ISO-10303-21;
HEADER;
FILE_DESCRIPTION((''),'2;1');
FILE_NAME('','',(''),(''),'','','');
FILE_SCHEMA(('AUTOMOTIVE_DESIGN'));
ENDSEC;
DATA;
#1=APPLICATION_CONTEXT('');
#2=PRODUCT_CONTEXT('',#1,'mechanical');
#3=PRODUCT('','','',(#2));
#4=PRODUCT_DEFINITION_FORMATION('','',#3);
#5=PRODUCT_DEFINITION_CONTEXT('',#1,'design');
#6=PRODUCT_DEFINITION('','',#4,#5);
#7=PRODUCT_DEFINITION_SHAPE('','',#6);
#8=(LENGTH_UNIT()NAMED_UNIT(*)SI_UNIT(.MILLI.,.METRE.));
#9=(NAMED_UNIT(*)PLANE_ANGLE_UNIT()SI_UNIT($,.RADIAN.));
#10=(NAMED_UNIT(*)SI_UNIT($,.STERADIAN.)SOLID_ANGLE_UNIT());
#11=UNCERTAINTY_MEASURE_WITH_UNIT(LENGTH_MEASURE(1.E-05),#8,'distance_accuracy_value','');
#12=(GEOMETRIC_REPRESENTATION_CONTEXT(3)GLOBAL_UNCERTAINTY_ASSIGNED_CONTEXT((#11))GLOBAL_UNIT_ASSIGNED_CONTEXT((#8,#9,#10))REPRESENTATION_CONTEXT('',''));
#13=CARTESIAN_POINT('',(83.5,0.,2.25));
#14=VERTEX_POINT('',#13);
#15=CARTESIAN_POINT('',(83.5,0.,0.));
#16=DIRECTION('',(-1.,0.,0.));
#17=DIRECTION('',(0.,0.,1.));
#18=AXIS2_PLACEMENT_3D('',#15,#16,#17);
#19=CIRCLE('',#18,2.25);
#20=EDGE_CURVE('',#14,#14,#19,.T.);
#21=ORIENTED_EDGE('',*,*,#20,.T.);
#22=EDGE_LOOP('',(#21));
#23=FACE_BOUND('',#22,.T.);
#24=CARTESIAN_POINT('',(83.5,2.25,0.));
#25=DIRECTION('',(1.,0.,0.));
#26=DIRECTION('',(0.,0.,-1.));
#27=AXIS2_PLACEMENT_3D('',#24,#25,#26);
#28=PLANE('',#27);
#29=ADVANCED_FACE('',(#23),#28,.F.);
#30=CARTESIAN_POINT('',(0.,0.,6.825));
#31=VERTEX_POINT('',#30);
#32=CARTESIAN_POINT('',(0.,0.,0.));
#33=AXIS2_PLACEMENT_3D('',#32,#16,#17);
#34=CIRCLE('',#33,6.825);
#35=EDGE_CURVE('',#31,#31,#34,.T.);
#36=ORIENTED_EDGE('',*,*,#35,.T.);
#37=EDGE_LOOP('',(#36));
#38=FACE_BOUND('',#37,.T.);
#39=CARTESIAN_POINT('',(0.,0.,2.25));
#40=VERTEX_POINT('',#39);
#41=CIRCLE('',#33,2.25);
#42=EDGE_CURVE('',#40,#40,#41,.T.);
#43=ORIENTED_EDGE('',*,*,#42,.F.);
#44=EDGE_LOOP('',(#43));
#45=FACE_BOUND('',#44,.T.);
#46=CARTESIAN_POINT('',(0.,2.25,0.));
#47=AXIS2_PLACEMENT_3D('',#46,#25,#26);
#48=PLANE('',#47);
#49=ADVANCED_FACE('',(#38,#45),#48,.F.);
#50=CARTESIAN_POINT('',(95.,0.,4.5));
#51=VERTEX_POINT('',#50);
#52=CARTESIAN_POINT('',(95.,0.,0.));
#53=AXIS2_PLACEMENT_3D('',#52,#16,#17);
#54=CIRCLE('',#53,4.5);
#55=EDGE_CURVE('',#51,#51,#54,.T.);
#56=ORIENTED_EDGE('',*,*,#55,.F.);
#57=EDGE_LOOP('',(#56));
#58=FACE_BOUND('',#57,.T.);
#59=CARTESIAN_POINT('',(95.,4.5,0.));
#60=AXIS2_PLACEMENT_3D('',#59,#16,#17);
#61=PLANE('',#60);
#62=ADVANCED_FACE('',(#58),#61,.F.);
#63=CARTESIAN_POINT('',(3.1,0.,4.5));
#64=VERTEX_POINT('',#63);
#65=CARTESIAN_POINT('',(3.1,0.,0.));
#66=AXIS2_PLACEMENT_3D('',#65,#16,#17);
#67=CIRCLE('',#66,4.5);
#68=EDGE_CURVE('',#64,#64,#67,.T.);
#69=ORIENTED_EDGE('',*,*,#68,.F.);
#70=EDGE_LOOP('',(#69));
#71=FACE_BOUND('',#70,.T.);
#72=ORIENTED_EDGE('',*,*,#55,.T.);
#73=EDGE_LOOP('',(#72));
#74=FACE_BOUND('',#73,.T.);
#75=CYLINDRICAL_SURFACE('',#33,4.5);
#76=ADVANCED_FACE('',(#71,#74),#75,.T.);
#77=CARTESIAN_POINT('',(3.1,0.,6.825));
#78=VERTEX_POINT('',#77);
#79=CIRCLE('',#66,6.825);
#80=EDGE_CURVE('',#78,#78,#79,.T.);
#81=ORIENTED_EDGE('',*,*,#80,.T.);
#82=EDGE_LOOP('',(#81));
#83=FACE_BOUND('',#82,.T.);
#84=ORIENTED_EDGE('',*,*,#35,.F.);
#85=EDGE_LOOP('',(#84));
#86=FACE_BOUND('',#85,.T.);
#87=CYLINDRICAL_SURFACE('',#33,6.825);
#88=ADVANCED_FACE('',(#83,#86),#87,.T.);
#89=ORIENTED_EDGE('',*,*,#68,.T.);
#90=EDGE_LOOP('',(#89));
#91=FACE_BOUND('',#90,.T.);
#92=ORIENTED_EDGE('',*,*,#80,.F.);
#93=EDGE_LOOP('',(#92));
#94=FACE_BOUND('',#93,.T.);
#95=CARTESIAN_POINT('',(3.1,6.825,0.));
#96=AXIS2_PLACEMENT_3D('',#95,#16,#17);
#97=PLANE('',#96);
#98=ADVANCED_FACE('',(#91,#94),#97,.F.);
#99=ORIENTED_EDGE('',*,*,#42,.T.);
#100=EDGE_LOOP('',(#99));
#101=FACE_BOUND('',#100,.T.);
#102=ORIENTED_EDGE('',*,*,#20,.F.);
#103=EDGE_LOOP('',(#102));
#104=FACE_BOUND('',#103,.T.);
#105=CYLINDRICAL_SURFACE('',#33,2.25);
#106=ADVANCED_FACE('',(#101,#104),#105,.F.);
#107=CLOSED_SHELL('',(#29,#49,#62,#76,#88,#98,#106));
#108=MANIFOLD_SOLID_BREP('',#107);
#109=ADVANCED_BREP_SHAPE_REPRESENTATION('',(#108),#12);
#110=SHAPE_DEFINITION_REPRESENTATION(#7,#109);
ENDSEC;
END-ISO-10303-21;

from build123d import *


with BuildPart() as part:
    # Skizze1 → Rotation1 (revolve)
    with BuildSketch(Plane.XY, mode=Mode.PRIVATE) as rotation1_sk:
        Polygon((0, 2.25), (0, 6.825), (3.1, 6.825), (3.1, 4.5), (95, 4.5), (95, 0), (83.5, 0), (83.5, 2.25), align=None)
    revolve(rotation1_sk.sketch.rotate(Axis((0, 0, 0), (1, 0, 0)), 90), axis=Axis((0, 0, 0), (1, 0, 0)))


solid = part.part
